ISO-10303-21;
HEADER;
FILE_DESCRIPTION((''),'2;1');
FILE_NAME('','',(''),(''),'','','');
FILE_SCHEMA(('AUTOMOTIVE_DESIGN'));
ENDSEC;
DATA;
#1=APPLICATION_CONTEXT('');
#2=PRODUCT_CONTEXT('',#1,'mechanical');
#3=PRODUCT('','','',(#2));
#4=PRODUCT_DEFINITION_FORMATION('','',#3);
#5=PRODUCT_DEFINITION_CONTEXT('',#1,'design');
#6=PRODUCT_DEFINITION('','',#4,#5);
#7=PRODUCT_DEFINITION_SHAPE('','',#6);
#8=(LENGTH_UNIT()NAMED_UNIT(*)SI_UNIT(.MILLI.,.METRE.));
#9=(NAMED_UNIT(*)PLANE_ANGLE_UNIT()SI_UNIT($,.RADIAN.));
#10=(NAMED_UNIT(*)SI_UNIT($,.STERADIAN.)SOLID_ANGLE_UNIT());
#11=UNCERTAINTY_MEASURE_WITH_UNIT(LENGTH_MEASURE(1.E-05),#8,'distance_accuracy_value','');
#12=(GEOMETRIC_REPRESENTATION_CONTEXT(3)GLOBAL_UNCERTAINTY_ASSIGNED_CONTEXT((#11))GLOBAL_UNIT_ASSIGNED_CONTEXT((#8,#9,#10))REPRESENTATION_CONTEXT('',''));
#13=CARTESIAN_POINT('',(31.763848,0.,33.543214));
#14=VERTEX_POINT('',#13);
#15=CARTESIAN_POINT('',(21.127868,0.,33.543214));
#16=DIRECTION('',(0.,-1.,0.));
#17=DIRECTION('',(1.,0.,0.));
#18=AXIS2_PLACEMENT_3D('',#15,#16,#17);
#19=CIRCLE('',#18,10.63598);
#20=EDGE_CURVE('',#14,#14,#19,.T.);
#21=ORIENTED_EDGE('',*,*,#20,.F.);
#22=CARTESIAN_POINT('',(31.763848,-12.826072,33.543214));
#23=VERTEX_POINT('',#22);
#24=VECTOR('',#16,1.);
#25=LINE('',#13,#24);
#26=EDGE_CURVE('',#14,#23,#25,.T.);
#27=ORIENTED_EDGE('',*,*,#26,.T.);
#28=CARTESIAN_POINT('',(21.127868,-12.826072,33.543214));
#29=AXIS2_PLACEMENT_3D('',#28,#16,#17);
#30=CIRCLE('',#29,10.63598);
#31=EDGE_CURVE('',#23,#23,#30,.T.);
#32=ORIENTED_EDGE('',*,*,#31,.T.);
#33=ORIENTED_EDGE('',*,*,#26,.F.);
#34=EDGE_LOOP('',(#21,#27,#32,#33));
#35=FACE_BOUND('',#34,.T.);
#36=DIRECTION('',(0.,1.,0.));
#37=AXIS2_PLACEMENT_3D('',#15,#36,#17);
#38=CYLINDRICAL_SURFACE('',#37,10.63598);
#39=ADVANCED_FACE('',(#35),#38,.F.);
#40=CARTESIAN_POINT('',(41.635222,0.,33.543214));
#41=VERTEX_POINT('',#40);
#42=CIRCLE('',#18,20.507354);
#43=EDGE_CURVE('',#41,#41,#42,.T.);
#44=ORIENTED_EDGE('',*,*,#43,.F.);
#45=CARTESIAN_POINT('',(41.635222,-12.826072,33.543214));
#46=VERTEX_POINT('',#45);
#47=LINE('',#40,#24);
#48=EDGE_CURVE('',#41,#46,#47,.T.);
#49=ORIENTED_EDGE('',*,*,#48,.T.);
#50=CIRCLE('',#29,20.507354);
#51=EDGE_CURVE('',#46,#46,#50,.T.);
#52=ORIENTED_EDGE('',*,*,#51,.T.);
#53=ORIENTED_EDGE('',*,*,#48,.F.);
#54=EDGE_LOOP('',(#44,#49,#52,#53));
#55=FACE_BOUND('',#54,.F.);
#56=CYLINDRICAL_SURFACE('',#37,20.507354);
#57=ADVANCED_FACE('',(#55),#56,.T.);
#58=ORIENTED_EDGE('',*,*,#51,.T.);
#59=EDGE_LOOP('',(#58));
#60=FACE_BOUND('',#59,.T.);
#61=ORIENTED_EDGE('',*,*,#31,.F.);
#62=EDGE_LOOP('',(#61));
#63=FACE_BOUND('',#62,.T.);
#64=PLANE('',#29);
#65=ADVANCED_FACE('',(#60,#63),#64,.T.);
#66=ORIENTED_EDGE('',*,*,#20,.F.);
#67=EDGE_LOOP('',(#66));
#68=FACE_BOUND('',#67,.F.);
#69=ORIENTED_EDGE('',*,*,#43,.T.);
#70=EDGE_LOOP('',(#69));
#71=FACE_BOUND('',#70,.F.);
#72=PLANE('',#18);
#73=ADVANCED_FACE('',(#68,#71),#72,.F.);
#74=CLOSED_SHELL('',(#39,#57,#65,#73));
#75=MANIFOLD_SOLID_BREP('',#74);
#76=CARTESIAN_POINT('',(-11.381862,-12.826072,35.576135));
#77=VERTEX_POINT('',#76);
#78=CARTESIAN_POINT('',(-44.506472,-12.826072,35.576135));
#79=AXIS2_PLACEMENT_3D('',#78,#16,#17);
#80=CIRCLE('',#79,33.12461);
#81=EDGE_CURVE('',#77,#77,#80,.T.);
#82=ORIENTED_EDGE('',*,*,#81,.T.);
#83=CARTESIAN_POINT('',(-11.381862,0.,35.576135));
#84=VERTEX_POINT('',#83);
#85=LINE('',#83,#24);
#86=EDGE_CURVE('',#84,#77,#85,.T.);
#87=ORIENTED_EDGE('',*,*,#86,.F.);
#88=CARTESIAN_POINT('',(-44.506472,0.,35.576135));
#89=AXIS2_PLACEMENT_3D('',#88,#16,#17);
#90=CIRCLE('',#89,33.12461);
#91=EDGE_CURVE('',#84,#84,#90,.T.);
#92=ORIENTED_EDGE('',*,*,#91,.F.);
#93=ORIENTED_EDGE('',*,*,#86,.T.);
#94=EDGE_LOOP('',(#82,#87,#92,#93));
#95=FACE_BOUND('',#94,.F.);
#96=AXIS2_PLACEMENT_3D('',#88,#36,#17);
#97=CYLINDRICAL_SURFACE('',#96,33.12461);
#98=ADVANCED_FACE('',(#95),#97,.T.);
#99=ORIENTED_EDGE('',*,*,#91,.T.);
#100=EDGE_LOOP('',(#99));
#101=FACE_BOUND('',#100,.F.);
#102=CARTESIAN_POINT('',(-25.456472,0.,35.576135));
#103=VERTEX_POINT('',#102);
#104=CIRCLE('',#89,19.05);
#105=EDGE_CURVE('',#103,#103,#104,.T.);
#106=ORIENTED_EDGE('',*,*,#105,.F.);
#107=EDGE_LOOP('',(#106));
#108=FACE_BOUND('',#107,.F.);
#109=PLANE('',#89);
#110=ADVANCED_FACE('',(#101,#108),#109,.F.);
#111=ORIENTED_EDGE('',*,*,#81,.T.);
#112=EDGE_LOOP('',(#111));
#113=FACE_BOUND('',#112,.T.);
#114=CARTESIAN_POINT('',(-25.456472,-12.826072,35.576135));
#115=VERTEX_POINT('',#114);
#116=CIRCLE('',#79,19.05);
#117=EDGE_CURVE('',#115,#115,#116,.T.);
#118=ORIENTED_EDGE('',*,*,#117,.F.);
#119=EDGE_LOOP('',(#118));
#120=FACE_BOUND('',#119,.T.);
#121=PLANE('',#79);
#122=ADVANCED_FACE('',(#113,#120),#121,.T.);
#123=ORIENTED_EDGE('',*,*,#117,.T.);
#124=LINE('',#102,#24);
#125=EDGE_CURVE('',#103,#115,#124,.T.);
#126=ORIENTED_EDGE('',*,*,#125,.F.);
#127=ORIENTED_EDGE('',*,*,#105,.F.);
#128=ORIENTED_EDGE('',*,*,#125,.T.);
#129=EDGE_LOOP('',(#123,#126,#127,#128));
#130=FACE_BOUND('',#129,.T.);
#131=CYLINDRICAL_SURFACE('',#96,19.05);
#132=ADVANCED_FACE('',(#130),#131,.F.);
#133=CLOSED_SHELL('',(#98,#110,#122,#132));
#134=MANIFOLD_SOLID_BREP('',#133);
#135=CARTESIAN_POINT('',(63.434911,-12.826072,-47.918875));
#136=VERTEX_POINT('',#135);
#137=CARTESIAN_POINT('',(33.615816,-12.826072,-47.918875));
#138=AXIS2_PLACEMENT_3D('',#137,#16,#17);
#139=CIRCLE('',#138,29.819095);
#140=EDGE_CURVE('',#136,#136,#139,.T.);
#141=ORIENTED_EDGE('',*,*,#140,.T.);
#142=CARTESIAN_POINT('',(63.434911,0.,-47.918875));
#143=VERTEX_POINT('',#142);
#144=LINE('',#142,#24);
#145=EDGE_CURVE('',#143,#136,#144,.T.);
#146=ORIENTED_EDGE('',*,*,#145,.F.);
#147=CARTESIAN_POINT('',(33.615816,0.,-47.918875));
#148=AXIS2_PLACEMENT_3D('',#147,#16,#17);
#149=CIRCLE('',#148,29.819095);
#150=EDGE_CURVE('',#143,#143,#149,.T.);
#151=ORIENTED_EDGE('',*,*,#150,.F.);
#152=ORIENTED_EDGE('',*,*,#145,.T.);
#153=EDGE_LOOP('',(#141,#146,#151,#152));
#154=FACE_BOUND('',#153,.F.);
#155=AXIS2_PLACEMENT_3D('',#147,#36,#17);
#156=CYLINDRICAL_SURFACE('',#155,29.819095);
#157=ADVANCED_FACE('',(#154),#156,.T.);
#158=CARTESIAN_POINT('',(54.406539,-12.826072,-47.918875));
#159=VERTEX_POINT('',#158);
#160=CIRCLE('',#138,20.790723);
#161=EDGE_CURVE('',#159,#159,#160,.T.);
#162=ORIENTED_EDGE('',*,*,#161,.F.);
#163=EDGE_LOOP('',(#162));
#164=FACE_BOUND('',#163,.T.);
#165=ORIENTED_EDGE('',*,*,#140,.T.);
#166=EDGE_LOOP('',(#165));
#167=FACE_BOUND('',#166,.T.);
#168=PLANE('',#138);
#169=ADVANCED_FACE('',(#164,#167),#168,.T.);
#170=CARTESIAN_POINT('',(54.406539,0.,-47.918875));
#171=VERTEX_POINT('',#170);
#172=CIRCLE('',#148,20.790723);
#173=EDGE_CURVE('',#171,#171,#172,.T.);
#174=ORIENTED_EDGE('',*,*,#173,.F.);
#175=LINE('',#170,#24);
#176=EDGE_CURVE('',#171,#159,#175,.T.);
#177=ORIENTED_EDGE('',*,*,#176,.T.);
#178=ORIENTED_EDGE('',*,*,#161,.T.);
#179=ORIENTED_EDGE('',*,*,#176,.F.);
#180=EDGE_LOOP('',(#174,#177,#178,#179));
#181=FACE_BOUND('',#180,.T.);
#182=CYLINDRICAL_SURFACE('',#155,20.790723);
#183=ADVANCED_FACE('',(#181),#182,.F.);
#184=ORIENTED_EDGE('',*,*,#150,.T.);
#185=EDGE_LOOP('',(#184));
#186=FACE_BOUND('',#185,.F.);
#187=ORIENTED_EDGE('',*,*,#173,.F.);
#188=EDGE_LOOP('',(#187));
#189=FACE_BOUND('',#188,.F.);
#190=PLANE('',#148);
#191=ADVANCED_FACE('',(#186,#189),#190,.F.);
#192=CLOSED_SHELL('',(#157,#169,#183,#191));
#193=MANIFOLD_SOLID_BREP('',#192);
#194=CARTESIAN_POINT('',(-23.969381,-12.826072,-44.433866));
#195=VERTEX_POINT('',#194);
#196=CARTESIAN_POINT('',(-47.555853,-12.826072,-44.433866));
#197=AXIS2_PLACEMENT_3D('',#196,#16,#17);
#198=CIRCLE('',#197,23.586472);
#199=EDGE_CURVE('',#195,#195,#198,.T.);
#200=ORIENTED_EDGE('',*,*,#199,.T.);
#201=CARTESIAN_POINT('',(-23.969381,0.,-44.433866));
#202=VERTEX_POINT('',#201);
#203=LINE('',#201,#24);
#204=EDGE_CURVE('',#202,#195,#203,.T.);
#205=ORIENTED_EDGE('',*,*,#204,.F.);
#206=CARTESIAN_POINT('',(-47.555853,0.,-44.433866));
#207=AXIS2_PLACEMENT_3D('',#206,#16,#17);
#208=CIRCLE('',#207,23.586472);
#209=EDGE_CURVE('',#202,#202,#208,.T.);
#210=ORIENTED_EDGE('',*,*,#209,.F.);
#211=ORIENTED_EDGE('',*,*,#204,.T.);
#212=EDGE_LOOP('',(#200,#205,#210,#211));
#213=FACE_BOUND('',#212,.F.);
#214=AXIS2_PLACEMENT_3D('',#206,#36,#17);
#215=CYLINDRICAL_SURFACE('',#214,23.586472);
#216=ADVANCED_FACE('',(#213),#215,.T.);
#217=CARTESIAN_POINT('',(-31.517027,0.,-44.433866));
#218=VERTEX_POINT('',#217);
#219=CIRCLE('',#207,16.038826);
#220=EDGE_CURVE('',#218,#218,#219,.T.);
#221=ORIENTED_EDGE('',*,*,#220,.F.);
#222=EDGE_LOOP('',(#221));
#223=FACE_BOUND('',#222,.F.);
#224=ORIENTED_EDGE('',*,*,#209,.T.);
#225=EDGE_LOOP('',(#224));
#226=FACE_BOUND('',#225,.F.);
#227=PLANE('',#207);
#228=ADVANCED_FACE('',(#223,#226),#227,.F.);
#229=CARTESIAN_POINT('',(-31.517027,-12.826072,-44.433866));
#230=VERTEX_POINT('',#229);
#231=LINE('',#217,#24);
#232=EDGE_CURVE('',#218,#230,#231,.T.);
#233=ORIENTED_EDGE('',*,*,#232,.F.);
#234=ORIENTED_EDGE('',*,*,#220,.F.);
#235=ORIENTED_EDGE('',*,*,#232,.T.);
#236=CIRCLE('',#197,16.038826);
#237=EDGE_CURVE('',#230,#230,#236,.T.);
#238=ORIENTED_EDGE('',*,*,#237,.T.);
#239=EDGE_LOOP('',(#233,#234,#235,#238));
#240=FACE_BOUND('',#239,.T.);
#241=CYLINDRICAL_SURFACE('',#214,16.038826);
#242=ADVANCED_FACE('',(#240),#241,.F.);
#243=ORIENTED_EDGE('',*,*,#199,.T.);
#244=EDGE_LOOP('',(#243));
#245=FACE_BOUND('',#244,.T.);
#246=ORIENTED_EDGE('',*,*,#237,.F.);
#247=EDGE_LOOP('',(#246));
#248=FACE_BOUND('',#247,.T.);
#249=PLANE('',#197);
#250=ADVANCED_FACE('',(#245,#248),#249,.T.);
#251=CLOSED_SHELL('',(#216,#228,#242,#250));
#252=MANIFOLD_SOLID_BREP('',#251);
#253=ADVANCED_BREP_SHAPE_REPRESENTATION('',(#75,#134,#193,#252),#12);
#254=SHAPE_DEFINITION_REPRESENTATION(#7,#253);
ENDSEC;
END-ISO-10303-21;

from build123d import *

# Parameters (mm, degrees)
F0_R     = 20.507354
F0_R_2   = 10.63598
F0_R_3   = 29.819095
F0_R_4   = 20.790723
F0_R_5   = 33.12461
F0_R_6   = 19.05
F0_R_7   = 23.586472
F0_R_8   = 16.038826
F1_DEPTH = 12.826072


with BuildPart() as f1:
    # F0 (on Front) → F1 (new body)
    with BuildSketch(Plane.XZ):
        with Locations((21.127868, 33.543214)):
            Circle(F0_R)
        with Locations((21.127868, 33.543214)):
            Circle(F0_R_2, mode=Mode.SUBTRACT)
        with Locations((33.615816, -47.918875)):
            Circle(F0_R_3)
        with Locations((33.615816, -47.918875)):
            Circle(F0_R_4, mode=Mode.SUBTRACT)
        with Locations((-44.506472, 35.576135)):
            Circle(F0_R_5)
        with Locations((-44.506472, 35.576135)):
            Circle(F0_R_6, mode=Mode.SUBTRACT)
        with Locations((-47.555853, -44.433866)):
            Circle(F0_R_7)
        with Locations((-47.555853, -44.433866)):
            Circle(F0_R_8, mode=Mode.SUBTRACT)
    extrude(amount=F1_DEPTH)


solid = f1.part
